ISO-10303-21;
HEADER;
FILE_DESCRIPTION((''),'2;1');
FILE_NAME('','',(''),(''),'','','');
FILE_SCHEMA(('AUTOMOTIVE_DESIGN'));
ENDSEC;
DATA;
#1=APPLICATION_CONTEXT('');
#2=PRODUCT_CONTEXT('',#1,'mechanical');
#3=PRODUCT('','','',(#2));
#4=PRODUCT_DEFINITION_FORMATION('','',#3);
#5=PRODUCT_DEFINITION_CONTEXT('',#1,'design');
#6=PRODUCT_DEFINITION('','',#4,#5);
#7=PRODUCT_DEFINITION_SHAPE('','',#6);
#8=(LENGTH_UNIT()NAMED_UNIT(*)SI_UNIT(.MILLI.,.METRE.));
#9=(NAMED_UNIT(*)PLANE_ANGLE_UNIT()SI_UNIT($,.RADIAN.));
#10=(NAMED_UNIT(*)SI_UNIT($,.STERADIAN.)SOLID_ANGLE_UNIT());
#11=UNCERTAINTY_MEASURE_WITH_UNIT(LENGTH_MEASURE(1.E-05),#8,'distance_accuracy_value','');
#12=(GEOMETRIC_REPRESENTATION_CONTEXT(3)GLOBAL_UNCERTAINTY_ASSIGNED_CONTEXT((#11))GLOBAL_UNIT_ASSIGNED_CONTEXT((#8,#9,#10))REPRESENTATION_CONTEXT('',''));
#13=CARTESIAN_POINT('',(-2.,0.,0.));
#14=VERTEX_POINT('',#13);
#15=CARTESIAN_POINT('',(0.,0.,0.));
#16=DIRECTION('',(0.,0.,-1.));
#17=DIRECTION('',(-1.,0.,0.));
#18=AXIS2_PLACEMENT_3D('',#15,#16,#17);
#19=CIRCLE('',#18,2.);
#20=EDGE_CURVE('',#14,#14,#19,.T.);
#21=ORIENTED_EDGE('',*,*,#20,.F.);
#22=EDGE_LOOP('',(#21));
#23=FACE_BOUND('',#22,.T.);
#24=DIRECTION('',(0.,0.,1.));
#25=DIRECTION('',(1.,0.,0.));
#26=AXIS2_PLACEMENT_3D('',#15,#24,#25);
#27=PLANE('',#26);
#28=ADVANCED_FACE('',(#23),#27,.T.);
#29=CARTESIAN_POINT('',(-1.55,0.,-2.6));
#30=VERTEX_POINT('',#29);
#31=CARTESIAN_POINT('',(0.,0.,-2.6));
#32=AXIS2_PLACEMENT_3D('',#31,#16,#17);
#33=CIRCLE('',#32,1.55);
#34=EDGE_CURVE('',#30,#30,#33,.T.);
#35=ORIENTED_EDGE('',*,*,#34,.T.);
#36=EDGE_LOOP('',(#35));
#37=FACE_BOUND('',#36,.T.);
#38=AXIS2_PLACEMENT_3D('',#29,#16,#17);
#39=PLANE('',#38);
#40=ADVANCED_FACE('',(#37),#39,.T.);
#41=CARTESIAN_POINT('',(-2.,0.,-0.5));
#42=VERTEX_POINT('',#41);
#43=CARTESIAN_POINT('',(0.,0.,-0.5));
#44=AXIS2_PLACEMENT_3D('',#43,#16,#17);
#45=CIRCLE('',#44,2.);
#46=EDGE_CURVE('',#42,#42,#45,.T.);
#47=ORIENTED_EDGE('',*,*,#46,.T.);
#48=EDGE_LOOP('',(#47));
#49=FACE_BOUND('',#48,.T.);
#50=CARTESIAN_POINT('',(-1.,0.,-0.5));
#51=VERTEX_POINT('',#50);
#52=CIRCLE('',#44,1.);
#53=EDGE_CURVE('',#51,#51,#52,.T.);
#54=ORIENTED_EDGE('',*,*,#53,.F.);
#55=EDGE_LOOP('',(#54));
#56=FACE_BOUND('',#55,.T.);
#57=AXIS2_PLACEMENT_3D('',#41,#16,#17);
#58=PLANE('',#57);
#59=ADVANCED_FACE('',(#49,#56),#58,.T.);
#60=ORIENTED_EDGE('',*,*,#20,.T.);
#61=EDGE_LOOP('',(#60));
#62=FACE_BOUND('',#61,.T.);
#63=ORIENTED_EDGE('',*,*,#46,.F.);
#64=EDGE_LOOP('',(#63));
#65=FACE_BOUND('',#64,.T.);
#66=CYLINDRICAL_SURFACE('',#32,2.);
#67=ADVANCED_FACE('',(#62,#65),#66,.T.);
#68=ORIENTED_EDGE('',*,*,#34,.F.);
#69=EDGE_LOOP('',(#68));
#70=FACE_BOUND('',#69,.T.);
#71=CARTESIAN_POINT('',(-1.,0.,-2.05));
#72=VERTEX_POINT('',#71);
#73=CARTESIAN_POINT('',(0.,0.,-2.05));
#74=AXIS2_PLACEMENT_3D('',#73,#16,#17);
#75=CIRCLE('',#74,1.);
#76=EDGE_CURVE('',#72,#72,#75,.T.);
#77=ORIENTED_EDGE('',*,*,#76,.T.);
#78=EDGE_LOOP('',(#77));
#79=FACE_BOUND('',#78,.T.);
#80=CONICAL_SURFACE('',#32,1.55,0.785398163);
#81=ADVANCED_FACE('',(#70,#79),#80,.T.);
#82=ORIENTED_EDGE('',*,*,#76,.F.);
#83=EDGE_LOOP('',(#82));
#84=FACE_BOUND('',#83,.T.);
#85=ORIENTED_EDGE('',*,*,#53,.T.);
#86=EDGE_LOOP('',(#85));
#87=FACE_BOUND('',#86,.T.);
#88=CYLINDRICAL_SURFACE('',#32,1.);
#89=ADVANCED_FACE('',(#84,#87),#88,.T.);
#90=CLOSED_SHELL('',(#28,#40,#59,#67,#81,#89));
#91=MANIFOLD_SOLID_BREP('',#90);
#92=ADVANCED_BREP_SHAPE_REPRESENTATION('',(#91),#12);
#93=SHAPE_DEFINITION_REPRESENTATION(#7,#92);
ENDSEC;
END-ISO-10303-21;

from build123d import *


with BuildPart() as part:
    # Sketch2 → Revolve1 (revolve)
    with BuildSketch(Plane(origin=(0, 0, 0), x_dir=(1, 0, 0), z_dir=(0, 1, 0))):
        Polygon((0, 0), (-2, 0), (-2, 0.5), (-1, 0.5), (-1, 2.05), (-1.55, 2.6), (0, 2.6), align=None)
    revolve(axis=Axis((0, 0, -2.6), (0, 0, 1)))


solid = part.part
